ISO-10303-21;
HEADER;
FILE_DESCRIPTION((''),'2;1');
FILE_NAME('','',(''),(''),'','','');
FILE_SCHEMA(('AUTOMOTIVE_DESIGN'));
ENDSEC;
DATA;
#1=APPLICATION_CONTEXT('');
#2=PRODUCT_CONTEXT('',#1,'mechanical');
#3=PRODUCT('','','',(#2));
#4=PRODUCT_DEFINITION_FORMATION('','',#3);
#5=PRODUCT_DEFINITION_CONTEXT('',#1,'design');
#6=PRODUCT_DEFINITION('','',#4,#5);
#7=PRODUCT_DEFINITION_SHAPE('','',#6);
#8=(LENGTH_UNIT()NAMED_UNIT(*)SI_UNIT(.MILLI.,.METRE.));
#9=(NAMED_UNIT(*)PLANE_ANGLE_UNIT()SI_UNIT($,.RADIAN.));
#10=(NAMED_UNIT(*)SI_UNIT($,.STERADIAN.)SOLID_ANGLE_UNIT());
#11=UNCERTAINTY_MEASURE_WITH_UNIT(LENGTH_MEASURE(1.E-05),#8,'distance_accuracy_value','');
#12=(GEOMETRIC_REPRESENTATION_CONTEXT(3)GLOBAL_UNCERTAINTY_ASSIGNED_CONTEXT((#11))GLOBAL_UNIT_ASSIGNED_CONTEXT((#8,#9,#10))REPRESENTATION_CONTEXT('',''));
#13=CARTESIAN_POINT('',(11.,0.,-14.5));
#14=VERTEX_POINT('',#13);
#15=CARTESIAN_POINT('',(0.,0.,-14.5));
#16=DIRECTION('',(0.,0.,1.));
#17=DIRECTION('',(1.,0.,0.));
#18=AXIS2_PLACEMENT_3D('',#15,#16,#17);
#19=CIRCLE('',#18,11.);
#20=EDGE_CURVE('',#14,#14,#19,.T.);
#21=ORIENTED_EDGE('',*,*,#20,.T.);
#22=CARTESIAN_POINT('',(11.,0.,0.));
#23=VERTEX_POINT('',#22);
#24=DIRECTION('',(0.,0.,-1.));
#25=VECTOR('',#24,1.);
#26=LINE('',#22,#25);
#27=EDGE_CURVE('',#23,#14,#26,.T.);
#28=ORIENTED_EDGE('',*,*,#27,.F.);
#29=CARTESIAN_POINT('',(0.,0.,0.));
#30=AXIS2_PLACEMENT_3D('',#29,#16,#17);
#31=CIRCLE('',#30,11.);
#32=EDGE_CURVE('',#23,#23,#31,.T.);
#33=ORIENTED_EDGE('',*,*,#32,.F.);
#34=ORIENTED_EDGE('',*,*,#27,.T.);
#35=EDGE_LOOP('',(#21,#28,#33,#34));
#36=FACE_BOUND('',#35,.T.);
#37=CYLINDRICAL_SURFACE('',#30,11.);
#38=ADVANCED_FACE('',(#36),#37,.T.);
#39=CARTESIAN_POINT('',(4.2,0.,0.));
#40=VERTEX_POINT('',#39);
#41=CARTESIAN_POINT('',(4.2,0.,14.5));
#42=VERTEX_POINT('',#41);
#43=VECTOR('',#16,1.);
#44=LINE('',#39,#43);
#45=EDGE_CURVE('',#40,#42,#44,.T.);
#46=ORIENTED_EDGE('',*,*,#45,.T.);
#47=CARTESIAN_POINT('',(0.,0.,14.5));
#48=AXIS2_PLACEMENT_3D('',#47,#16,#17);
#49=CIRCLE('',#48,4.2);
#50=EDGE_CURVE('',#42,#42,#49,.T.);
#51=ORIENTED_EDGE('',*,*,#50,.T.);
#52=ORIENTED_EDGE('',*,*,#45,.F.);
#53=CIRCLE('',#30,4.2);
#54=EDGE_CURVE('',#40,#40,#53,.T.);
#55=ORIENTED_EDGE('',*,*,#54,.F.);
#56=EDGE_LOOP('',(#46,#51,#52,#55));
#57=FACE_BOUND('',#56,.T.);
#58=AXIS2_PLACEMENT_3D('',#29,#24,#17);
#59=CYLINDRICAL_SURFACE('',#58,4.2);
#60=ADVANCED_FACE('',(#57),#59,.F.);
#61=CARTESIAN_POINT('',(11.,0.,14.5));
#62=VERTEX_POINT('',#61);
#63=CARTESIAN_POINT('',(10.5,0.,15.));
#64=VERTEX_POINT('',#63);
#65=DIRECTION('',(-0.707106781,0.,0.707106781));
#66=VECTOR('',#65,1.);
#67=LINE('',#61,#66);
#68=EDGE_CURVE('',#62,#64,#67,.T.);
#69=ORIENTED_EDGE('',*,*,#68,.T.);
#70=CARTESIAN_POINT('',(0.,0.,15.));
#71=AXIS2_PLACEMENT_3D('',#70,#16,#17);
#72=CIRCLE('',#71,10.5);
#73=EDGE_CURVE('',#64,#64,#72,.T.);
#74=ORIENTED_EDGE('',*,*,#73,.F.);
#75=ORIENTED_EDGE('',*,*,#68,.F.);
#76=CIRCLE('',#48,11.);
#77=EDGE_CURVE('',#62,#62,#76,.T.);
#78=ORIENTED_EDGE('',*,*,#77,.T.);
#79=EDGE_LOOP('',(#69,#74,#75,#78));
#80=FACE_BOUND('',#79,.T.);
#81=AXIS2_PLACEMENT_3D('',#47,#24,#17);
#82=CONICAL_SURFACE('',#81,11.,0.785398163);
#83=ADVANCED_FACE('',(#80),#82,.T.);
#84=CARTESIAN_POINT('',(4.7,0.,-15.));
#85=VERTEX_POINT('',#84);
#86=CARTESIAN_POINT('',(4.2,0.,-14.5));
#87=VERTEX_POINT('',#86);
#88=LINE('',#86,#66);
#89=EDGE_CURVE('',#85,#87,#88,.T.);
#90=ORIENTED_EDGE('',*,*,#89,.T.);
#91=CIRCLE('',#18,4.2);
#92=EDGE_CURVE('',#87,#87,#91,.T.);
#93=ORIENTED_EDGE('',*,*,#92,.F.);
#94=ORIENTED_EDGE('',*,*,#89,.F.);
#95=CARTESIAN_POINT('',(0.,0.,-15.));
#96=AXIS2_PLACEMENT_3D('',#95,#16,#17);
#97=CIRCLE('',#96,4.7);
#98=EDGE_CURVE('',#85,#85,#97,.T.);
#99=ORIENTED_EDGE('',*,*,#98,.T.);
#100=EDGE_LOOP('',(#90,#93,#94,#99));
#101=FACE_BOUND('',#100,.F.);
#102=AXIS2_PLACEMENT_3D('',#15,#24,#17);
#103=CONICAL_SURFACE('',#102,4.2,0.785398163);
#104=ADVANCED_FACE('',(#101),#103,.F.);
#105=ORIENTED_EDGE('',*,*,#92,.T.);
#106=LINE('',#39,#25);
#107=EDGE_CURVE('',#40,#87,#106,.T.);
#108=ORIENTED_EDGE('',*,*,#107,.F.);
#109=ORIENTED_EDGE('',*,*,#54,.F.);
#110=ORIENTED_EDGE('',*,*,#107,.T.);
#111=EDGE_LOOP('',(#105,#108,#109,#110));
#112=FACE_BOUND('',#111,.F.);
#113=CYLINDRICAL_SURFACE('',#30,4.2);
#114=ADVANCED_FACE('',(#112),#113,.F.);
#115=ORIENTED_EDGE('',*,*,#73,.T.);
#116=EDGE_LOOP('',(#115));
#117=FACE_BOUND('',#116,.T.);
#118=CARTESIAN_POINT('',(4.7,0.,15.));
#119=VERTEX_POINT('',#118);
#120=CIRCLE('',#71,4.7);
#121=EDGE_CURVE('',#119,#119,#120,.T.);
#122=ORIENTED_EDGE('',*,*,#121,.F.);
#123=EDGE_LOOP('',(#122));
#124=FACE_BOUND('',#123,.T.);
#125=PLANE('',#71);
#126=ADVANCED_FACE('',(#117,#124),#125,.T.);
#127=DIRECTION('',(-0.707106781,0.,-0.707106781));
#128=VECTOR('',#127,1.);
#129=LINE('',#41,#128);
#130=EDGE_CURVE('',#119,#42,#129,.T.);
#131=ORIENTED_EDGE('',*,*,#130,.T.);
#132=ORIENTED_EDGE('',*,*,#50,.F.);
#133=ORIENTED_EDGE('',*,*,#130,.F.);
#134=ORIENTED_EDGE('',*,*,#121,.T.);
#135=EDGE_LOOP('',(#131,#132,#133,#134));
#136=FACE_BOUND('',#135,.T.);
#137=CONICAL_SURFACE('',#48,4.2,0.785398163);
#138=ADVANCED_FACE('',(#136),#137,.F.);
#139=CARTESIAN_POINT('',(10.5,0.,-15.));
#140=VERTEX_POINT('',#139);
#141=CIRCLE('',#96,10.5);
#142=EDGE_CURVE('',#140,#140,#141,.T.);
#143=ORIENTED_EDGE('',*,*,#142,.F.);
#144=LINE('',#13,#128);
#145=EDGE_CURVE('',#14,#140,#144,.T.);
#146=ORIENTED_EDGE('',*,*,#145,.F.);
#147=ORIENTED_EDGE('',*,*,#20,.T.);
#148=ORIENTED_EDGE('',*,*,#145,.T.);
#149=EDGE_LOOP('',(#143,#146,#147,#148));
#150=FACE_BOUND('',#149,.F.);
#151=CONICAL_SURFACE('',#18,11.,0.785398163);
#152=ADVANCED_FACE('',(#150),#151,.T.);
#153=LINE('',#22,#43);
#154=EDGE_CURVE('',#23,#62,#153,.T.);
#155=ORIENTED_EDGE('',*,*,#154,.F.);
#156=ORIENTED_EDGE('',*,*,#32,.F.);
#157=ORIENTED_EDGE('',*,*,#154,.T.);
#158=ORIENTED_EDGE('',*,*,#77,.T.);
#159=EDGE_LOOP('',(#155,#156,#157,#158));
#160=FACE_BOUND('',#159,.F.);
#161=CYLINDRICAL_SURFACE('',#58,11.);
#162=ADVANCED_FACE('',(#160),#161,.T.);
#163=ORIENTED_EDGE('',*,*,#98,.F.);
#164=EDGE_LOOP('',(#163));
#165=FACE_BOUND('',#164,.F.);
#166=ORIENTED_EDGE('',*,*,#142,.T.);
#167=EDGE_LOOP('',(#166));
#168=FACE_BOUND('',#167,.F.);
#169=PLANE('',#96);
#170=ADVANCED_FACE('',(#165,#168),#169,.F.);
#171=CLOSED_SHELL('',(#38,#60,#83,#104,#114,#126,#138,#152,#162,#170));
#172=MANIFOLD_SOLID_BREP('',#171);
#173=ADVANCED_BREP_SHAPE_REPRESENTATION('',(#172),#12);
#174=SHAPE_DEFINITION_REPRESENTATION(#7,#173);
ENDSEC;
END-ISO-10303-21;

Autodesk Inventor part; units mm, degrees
ref_plane "YZ Plane" through (0, 0, 0) normal (1, 0, 0) x (0, 1, 0)
ref_plane "XZ Plane" through (0, 0, 0) normal (0, 1, 0) x (-1, 0, 0)
ref_plane "XY Plane" through (0, 0, 0) normal (0, 0, 1) x (1, 0, 0)
sketch "スケッチ1" plane through (0, 0, 0) normal (0, 0, 1) x (1, 0, 0)
  circle A0 centre (0, 0) radius 4.2
  circle A1 centre (0, 0) radius 11
  dimension "d0" = 8.4
  dimension "d1" = 22
extrude "押し出し1" add sketch "スケッチ1" along normal mid plane 30
chamfer "面取り1" distance 0.5 angle 45 4 edges at (-4.2, 0, 15) (-4.2, 0, -15) (-11, 0, -15) (-11, 0, 15)
properties part number "scara-base27" material "ABS プラスチック"
